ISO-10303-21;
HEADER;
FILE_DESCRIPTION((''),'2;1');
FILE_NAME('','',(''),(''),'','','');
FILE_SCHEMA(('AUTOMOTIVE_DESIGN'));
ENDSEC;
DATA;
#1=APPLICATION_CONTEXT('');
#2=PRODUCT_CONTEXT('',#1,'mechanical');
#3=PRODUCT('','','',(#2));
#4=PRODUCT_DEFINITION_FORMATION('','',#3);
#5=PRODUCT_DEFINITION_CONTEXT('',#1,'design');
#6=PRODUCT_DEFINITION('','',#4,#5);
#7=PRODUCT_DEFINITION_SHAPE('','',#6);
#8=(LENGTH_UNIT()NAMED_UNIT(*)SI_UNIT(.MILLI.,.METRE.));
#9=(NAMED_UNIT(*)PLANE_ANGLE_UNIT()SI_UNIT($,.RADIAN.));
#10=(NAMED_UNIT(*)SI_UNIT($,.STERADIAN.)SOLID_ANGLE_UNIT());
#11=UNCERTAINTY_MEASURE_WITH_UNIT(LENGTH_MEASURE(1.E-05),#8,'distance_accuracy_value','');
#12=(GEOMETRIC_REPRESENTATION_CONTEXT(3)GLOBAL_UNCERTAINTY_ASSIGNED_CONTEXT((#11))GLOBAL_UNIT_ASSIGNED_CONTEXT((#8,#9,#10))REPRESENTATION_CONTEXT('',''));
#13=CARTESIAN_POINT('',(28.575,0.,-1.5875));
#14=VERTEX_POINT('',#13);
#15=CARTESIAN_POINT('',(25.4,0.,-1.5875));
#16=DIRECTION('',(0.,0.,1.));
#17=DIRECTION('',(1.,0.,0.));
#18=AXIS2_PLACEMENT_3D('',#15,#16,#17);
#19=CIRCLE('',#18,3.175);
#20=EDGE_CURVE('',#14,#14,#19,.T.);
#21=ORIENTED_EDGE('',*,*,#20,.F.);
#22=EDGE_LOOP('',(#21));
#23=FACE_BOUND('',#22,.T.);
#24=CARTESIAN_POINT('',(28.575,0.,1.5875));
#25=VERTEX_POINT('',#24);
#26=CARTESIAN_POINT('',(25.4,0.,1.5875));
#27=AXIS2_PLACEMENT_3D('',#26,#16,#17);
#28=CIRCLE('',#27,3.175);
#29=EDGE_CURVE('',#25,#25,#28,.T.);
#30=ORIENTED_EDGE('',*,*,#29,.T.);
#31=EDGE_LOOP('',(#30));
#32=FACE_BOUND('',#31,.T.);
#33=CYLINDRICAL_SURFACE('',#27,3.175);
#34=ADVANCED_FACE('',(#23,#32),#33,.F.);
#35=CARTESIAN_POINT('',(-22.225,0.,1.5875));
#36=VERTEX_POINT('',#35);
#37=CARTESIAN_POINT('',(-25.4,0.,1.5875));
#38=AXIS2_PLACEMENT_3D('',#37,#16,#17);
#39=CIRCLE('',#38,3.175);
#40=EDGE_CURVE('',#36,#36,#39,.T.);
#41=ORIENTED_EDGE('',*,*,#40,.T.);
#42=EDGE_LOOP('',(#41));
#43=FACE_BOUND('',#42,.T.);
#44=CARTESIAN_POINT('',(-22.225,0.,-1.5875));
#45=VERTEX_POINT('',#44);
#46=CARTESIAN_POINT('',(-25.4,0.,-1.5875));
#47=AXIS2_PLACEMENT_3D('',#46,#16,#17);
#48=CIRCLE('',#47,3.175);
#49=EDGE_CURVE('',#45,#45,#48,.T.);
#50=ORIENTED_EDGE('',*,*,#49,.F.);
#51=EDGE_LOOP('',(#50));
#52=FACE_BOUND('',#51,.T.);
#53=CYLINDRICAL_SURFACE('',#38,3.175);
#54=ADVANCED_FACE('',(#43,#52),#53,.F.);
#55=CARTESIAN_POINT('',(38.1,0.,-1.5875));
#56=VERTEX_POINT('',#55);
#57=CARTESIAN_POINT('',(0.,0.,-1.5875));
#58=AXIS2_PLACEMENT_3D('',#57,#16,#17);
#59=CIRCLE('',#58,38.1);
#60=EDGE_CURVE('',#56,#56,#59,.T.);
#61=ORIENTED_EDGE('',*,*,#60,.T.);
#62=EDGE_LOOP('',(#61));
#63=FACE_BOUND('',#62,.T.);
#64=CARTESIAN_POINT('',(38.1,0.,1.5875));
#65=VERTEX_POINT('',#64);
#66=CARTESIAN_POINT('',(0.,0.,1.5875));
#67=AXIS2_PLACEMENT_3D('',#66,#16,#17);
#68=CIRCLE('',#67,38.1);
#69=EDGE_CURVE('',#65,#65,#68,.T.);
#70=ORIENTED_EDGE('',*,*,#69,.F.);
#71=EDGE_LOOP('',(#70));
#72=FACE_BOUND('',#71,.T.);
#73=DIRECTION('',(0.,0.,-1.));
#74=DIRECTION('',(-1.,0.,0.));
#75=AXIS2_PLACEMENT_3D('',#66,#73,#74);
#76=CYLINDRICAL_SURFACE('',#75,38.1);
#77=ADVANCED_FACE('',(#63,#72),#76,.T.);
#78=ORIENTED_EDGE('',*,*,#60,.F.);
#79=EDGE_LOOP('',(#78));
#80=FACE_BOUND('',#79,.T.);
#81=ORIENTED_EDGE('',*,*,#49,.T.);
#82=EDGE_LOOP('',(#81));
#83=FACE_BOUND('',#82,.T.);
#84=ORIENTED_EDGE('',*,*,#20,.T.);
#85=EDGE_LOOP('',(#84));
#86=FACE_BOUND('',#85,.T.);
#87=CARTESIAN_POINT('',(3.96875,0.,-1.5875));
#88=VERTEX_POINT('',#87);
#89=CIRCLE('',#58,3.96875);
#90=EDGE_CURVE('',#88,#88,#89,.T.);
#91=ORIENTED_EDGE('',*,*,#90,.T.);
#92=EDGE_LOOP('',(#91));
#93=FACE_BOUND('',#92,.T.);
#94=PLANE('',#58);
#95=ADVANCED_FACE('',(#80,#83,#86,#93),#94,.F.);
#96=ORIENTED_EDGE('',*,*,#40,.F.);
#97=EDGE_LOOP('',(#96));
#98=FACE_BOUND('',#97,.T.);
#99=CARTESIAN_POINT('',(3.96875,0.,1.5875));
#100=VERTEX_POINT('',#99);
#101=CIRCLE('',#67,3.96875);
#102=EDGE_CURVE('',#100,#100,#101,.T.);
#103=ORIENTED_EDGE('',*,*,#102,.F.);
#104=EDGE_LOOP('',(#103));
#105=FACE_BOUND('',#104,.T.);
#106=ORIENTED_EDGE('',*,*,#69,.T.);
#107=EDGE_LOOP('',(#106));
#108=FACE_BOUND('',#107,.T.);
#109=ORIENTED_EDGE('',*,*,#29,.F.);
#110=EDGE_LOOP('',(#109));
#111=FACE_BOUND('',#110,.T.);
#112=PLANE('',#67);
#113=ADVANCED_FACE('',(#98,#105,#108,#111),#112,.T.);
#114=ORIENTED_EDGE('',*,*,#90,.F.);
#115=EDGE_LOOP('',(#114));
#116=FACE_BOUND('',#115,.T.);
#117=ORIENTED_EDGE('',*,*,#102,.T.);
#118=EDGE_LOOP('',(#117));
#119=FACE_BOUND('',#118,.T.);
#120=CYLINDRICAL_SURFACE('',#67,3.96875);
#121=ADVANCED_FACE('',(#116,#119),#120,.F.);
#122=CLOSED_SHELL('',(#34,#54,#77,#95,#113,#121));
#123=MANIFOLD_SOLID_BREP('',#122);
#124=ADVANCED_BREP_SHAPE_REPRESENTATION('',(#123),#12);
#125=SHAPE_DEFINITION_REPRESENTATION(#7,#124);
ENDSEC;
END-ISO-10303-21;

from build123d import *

# Parameters (mm, degrees)
SKETCH1_R                          = 38.1
BOSS_EXTRUDE1_DEPTH                = 1.5875
F_1_4_0_25_DIAMETER_HOLE1_D        = 6.35
F_5_16_0_3125_DIAMETER_HOLE1_D     = 7.9375
F_5_16_0_3125_DIAMETER_HOLE1_DEPTH = 3.302


with BuildPart() as part:
    # Sketch1 → Boss-Extrude1 (new body, symmetric)
    with BuildSketch(Plane.XY):
        Circle(SKETCH1_R)
    extrude(amount=BOSS_EXTRUDE1_DEPTH, both=True)

    # 1/4 (0.25) Diameter Hole1 (through all)
    with Locations(Plane.XY.offset(1.5875)):
        with Locations((-25.4, 0), (25.4, 0)):
            Hole(F_1_4_0_25_DIAMETER_HOLE1_D / 2)

    # 5/16 (0.3125) Diameter Hole1
    with Locations(Plane.XY.offset(1.5875)):
        with Locations((0, 0)):
            Hole(F_5_16_0_3125_DIAMETER_HOLE1_D / 2, depth=F_5_16_0_3125_DIAMETER_HOLE1_DEPTH)


solid = part.part
